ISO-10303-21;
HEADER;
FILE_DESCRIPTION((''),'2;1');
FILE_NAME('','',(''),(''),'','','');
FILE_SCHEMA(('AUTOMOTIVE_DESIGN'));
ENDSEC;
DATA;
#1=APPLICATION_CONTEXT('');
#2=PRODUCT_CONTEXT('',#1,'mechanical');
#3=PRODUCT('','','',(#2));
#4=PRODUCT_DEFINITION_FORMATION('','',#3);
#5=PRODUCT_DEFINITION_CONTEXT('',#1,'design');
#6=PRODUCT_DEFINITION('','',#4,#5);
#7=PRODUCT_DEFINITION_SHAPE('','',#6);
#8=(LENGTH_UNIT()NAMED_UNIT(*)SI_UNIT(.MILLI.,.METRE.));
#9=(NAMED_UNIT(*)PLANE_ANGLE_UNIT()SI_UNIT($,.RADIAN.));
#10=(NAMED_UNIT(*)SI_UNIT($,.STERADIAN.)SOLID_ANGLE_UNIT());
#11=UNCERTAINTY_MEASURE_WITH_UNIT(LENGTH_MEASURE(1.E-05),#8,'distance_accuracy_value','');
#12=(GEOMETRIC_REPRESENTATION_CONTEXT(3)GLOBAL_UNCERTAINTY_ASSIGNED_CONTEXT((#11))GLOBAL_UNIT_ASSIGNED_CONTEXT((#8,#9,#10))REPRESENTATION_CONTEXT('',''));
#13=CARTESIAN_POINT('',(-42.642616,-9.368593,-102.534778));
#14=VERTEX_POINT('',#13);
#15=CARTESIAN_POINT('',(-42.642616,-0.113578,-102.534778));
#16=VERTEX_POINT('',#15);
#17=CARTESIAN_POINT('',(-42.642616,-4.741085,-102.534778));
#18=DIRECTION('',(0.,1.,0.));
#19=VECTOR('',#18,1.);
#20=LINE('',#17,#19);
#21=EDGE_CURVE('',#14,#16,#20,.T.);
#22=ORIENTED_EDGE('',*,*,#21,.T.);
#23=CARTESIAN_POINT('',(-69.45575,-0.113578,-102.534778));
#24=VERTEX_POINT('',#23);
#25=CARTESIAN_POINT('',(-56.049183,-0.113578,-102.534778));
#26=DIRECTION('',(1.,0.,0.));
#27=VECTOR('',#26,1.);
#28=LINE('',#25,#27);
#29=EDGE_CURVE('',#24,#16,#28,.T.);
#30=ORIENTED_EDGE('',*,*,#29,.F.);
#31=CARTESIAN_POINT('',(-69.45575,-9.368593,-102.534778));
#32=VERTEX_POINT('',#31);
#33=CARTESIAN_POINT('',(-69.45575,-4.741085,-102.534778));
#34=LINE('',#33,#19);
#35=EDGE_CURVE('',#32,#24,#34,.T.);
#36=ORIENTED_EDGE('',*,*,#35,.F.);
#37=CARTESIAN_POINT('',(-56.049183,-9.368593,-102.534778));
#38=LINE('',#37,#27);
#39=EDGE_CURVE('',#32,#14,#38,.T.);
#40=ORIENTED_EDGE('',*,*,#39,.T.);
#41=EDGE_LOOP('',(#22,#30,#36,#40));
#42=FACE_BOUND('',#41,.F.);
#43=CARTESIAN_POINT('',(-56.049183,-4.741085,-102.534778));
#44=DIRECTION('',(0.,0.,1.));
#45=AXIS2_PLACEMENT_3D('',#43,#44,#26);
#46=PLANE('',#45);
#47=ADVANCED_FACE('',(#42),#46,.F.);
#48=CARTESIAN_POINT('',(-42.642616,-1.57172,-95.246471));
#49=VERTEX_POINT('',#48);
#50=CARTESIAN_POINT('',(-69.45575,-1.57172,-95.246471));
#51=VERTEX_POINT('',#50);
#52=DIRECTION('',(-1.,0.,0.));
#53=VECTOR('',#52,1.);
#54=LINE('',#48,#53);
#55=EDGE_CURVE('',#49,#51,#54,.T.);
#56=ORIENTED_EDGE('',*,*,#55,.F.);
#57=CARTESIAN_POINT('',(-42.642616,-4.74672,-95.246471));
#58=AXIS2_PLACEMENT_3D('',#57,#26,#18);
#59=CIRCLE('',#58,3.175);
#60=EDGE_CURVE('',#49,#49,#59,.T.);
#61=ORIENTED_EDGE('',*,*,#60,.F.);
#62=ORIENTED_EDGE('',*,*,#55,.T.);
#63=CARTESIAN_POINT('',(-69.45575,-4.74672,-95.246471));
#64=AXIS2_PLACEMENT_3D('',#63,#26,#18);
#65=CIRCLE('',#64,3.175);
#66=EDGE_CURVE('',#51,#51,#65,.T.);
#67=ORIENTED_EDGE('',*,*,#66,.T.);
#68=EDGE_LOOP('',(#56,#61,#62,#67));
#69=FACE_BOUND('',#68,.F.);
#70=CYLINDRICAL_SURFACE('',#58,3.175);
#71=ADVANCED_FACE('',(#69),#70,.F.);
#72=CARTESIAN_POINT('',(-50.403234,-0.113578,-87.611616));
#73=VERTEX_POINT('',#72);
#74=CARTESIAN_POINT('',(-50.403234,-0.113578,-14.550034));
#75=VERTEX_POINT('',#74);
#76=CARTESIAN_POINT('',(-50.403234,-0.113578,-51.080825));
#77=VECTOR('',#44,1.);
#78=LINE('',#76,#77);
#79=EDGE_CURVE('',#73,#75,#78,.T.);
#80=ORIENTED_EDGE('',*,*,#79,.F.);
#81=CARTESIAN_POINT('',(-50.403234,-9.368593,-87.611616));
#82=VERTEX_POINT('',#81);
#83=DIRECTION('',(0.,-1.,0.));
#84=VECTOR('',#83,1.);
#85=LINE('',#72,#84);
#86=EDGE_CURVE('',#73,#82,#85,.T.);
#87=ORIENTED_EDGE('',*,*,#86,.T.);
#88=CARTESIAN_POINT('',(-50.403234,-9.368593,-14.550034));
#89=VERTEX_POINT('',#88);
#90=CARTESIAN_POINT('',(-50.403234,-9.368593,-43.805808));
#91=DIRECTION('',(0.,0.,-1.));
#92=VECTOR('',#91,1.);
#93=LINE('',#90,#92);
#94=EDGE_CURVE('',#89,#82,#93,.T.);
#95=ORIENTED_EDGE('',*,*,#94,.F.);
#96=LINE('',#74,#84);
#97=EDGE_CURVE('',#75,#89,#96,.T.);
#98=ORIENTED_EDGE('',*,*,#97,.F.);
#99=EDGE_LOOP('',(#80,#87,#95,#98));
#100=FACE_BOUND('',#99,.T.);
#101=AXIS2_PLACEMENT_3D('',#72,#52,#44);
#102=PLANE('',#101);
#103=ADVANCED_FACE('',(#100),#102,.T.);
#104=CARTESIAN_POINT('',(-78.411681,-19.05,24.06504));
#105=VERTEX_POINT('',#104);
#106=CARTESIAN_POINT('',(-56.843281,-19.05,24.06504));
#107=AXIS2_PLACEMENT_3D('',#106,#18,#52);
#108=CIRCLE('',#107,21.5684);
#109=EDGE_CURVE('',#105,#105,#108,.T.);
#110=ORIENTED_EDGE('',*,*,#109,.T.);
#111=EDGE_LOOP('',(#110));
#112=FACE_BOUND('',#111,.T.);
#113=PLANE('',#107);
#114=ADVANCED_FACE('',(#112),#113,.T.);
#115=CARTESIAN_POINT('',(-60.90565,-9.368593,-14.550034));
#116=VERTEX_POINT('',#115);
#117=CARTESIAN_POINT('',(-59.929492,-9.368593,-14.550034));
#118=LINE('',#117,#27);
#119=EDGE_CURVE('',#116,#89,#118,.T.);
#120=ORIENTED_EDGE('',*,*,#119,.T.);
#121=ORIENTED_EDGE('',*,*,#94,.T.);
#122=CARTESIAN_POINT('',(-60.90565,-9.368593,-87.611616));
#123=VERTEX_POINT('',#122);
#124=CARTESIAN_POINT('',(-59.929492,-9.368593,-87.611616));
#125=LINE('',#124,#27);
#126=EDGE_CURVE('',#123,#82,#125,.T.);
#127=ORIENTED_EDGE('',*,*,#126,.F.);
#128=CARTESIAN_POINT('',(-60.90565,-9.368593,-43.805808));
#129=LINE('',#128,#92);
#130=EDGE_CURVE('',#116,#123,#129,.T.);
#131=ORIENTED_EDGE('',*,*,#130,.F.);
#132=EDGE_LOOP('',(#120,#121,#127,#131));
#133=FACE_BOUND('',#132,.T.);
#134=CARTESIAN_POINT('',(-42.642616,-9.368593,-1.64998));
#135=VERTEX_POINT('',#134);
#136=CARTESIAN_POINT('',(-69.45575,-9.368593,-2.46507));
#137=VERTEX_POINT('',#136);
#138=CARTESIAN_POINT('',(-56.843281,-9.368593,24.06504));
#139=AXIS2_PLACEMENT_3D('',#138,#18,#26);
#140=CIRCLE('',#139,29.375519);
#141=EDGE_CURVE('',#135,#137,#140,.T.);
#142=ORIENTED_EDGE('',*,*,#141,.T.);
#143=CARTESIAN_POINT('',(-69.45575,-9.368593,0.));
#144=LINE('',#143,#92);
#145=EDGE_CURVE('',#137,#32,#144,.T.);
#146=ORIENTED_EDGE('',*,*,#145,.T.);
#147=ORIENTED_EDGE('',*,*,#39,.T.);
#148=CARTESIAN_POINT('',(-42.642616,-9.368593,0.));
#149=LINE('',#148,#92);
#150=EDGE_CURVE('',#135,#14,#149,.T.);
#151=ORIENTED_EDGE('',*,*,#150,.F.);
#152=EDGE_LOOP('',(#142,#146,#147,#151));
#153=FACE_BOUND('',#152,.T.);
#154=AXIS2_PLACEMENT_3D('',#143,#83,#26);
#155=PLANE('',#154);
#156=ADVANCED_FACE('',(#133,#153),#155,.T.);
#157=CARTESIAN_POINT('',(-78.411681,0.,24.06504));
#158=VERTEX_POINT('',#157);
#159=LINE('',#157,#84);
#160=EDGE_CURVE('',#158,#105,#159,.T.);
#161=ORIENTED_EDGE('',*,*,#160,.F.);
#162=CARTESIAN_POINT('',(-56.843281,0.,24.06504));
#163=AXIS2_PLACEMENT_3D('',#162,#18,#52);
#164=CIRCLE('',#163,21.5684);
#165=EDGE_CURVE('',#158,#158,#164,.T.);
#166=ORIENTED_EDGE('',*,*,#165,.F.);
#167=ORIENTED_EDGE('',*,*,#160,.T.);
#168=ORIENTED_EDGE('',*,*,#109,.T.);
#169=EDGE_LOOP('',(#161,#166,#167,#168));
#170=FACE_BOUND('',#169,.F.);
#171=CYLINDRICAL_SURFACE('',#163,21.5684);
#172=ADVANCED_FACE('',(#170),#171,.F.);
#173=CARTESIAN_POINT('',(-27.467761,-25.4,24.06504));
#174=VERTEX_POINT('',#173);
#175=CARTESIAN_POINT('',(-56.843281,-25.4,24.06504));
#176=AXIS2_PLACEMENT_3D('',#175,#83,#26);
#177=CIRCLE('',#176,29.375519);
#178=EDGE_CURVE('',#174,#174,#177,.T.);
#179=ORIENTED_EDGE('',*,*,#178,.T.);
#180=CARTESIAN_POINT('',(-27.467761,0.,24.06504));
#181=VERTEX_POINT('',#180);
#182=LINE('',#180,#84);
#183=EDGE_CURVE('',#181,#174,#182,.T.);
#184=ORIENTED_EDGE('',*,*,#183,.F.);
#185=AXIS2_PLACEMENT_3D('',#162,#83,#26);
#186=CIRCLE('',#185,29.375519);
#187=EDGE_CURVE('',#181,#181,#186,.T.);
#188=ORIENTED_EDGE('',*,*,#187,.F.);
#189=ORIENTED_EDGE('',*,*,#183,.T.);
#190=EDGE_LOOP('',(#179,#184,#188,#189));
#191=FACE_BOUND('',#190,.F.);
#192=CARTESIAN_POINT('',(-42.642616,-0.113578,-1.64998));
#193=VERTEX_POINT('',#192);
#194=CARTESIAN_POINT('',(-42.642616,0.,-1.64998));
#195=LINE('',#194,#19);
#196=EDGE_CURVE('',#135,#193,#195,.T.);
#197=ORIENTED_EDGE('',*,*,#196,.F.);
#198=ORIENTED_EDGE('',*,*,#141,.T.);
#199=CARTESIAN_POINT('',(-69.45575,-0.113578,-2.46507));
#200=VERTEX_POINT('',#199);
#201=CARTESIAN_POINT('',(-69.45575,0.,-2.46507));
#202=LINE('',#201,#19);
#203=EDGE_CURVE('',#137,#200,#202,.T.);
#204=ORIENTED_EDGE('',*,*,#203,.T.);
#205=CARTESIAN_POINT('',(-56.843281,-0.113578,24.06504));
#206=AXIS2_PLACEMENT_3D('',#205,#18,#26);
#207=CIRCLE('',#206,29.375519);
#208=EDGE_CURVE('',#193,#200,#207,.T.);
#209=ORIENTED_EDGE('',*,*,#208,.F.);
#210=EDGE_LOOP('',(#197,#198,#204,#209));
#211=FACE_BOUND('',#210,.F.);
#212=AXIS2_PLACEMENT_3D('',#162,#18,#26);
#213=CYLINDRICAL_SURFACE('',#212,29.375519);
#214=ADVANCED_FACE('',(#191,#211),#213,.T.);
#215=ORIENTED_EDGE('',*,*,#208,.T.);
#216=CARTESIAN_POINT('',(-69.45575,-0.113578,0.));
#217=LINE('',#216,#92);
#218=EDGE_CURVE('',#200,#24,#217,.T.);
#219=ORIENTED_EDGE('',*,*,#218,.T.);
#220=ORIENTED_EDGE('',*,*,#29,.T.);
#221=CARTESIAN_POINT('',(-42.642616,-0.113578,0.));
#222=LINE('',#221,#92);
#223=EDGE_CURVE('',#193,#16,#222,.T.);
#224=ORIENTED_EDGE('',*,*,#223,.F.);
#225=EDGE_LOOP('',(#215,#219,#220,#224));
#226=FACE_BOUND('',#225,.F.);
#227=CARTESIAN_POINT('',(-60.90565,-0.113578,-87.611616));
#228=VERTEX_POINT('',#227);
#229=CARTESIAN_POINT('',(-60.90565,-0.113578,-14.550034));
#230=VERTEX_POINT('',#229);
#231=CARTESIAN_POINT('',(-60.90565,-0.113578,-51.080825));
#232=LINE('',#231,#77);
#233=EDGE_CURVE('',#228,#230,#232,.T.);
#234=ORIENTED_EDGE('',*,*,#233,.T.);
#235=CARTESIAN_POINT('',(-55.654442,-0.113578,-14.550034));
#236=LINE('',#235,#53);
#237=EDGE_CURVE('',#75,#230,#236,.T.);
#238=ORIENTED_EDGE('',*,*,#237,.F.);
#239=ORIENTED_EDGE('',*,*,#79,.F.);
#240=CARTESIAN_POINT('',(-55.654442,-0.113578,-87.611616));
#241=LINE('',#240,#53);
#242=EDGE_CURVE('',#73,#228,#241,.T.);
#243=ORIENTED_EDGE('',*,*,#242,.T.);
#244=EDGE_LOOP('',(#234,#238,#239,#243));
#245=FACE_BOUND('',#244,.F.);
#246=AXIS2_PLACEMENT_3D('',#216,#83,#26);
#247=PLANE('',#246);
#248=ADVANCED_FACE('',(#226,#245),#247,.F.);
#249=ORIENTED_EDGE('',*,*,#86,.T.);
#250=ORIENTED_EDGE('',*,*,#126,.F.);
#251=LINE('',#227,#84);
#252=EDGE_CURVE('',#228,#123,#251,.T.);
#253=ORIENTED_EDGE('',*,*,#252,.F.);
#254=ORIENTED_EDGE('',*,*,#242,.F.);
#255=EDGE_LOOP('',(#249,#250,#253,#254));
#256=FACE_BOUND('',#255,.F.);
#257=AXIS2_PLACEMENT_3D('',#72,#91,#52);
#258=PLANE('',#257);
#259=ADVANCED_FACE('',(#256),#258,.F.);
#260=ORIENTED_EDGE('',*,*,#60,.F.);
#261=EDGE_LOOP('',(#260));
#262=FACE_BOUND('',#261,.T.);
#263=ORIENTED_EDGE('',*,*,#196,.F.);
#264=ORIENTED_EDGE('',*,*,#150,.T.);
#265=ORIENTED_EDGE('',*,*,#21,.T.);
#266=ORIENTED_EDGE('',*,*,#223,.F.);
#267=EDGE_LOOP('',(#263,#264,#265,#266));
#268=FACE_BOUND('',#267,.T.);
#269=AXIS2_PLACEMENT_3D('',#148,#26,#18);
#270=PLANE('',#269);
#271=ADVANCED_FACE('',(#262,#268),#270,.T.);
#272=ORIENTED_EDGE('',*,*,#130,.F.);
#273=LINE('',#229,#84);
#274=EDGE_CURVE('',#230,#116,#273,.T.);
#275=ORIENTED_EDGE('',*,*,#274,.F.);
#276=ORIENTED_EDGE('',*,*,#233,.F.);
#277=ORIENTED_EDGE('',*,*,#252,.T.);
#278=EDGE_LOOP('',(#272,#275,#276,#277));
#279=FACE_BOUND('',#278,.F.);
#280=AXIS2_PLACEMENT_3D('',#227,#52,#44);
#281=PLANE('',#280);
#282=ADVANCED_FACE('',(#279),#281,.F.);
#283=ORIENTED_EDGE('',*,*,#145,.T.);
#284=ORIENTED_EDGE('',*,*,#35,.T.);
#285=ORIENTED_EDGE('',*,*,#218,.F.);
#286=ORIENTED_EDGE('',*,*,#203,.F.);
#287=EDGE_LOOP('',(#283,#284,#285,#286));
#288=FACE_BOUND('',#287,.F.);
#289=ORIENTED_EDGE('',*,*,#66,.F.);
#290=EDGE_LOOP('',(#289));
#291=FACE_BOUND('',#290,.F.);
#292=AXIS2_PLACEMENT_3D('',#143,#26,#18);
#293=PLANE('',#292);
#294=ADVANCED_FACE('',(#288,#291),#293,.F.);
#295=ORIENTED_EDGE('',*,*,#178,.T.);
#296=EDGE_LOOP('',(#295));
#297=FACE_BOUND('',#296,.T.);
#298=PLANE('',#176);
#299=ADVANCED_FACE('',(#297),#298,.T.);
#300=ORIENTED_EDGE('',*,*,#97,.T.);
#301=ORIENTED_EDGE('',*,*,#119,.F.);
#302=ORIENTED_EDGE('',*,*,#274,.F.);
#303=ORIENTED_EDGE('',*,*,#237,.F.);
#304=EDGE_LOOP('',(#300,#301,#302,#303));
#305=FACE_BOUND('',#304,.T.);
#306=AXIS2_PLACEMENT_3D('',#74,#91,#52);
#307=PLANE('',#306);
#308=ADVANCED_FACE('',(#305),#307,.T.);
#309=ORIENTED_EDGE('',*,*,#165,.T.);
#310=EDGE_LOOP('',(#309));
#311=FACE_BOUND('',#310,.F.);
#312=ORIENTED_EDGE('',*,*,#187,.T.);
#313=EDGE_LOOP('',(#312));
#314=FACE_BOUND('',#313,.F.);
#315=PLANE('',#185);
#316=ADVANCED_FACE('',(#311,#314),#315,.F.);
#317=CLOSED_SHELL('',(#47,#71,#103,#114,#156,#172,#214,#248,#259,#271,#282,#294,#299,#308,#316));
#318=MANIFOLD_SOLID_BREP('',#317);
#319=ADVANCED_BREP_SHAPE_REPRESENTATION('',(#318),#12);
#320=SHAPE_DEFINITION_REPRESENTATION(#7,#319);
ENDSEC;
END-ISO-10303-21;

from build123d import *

# Parameters (mm, degrees)
F0_R      = 29.3755194238
F0_R_2    = 20.4584720474
F1_DEPTH  = 25.4
F3_W      = 26.813134551
F3_H      = 9.2550148256
F4_DEPTH  = 102.5347784162
F2_R      = 21.5684000446
F5_DEPTH  = 19.05
F7_R      = 3.175
F8_DEPTH  = 50.8
F9_W      = 10.5024166405
F9_H      = 73.061581701
F10_DEPTH = 25.4


with BuildPart() as f1:
    # F0 (on Front) → F1 (new body)
    with BuildSketch(Plane.XZ):
        with Locations((-56.8432807922, 24.0650400519)):
            Circle(F0_R)
        with Locations((-56.8432807922, 24.0650400519)):
            Circle(F0_R_2, mode=Mode.SUBTRACT)
        with Locations((-56.8432807922, 24.0650400519)):
            Circle(F0_R_2)
    extrude(amount=F1_DEPTH)

    # F3 (on Top) → F4 (join)
    with BuildSketch(Plane.XY):
        with Locations((-56.0491830111, -4.7410854604)):
            Rectangle(F3_W, F3_H)
    extrude(amount=-F4_DEPTH)

    # F2 (on face) → F5 (cut)
    with BuildSketch(Plane(origin=(0, 0, 0), x_dir=(-1, 0, 0), z_dir=(0, 1, 0))):
        with Locations((56.8432807922, 24.0650400519)):
            Circle(F2_R)
    extrude(amount=-F5_DEPTH, mode=Mode.SUBTRACT)

    # F7 (on face) → F8 (cut)
    with BuildSketch(Plane.YZ.offset(-42.6426157355)):
        with Locations((-4.7467201948, -95.2464714646)):
            Circle(F7_R)
    extrude(amount=-F8_DEPTH, mode=Mode.SUBTRACT)

    # F9 (on face) → F10 (cut)
    with BuildSketch(Plane(origin=(0, -0.1135780476, 0), x_dir=(-1, 0, 0), z_dir=(0, 1, 0))):
        with Locations((55.6544419378, -51.0808248073)):
            Rectangle(F9_W, F9_H)
    extrude(amount=-F10_DEPTH, mode=Mode.SUBTRACT)


solid = f1.part
